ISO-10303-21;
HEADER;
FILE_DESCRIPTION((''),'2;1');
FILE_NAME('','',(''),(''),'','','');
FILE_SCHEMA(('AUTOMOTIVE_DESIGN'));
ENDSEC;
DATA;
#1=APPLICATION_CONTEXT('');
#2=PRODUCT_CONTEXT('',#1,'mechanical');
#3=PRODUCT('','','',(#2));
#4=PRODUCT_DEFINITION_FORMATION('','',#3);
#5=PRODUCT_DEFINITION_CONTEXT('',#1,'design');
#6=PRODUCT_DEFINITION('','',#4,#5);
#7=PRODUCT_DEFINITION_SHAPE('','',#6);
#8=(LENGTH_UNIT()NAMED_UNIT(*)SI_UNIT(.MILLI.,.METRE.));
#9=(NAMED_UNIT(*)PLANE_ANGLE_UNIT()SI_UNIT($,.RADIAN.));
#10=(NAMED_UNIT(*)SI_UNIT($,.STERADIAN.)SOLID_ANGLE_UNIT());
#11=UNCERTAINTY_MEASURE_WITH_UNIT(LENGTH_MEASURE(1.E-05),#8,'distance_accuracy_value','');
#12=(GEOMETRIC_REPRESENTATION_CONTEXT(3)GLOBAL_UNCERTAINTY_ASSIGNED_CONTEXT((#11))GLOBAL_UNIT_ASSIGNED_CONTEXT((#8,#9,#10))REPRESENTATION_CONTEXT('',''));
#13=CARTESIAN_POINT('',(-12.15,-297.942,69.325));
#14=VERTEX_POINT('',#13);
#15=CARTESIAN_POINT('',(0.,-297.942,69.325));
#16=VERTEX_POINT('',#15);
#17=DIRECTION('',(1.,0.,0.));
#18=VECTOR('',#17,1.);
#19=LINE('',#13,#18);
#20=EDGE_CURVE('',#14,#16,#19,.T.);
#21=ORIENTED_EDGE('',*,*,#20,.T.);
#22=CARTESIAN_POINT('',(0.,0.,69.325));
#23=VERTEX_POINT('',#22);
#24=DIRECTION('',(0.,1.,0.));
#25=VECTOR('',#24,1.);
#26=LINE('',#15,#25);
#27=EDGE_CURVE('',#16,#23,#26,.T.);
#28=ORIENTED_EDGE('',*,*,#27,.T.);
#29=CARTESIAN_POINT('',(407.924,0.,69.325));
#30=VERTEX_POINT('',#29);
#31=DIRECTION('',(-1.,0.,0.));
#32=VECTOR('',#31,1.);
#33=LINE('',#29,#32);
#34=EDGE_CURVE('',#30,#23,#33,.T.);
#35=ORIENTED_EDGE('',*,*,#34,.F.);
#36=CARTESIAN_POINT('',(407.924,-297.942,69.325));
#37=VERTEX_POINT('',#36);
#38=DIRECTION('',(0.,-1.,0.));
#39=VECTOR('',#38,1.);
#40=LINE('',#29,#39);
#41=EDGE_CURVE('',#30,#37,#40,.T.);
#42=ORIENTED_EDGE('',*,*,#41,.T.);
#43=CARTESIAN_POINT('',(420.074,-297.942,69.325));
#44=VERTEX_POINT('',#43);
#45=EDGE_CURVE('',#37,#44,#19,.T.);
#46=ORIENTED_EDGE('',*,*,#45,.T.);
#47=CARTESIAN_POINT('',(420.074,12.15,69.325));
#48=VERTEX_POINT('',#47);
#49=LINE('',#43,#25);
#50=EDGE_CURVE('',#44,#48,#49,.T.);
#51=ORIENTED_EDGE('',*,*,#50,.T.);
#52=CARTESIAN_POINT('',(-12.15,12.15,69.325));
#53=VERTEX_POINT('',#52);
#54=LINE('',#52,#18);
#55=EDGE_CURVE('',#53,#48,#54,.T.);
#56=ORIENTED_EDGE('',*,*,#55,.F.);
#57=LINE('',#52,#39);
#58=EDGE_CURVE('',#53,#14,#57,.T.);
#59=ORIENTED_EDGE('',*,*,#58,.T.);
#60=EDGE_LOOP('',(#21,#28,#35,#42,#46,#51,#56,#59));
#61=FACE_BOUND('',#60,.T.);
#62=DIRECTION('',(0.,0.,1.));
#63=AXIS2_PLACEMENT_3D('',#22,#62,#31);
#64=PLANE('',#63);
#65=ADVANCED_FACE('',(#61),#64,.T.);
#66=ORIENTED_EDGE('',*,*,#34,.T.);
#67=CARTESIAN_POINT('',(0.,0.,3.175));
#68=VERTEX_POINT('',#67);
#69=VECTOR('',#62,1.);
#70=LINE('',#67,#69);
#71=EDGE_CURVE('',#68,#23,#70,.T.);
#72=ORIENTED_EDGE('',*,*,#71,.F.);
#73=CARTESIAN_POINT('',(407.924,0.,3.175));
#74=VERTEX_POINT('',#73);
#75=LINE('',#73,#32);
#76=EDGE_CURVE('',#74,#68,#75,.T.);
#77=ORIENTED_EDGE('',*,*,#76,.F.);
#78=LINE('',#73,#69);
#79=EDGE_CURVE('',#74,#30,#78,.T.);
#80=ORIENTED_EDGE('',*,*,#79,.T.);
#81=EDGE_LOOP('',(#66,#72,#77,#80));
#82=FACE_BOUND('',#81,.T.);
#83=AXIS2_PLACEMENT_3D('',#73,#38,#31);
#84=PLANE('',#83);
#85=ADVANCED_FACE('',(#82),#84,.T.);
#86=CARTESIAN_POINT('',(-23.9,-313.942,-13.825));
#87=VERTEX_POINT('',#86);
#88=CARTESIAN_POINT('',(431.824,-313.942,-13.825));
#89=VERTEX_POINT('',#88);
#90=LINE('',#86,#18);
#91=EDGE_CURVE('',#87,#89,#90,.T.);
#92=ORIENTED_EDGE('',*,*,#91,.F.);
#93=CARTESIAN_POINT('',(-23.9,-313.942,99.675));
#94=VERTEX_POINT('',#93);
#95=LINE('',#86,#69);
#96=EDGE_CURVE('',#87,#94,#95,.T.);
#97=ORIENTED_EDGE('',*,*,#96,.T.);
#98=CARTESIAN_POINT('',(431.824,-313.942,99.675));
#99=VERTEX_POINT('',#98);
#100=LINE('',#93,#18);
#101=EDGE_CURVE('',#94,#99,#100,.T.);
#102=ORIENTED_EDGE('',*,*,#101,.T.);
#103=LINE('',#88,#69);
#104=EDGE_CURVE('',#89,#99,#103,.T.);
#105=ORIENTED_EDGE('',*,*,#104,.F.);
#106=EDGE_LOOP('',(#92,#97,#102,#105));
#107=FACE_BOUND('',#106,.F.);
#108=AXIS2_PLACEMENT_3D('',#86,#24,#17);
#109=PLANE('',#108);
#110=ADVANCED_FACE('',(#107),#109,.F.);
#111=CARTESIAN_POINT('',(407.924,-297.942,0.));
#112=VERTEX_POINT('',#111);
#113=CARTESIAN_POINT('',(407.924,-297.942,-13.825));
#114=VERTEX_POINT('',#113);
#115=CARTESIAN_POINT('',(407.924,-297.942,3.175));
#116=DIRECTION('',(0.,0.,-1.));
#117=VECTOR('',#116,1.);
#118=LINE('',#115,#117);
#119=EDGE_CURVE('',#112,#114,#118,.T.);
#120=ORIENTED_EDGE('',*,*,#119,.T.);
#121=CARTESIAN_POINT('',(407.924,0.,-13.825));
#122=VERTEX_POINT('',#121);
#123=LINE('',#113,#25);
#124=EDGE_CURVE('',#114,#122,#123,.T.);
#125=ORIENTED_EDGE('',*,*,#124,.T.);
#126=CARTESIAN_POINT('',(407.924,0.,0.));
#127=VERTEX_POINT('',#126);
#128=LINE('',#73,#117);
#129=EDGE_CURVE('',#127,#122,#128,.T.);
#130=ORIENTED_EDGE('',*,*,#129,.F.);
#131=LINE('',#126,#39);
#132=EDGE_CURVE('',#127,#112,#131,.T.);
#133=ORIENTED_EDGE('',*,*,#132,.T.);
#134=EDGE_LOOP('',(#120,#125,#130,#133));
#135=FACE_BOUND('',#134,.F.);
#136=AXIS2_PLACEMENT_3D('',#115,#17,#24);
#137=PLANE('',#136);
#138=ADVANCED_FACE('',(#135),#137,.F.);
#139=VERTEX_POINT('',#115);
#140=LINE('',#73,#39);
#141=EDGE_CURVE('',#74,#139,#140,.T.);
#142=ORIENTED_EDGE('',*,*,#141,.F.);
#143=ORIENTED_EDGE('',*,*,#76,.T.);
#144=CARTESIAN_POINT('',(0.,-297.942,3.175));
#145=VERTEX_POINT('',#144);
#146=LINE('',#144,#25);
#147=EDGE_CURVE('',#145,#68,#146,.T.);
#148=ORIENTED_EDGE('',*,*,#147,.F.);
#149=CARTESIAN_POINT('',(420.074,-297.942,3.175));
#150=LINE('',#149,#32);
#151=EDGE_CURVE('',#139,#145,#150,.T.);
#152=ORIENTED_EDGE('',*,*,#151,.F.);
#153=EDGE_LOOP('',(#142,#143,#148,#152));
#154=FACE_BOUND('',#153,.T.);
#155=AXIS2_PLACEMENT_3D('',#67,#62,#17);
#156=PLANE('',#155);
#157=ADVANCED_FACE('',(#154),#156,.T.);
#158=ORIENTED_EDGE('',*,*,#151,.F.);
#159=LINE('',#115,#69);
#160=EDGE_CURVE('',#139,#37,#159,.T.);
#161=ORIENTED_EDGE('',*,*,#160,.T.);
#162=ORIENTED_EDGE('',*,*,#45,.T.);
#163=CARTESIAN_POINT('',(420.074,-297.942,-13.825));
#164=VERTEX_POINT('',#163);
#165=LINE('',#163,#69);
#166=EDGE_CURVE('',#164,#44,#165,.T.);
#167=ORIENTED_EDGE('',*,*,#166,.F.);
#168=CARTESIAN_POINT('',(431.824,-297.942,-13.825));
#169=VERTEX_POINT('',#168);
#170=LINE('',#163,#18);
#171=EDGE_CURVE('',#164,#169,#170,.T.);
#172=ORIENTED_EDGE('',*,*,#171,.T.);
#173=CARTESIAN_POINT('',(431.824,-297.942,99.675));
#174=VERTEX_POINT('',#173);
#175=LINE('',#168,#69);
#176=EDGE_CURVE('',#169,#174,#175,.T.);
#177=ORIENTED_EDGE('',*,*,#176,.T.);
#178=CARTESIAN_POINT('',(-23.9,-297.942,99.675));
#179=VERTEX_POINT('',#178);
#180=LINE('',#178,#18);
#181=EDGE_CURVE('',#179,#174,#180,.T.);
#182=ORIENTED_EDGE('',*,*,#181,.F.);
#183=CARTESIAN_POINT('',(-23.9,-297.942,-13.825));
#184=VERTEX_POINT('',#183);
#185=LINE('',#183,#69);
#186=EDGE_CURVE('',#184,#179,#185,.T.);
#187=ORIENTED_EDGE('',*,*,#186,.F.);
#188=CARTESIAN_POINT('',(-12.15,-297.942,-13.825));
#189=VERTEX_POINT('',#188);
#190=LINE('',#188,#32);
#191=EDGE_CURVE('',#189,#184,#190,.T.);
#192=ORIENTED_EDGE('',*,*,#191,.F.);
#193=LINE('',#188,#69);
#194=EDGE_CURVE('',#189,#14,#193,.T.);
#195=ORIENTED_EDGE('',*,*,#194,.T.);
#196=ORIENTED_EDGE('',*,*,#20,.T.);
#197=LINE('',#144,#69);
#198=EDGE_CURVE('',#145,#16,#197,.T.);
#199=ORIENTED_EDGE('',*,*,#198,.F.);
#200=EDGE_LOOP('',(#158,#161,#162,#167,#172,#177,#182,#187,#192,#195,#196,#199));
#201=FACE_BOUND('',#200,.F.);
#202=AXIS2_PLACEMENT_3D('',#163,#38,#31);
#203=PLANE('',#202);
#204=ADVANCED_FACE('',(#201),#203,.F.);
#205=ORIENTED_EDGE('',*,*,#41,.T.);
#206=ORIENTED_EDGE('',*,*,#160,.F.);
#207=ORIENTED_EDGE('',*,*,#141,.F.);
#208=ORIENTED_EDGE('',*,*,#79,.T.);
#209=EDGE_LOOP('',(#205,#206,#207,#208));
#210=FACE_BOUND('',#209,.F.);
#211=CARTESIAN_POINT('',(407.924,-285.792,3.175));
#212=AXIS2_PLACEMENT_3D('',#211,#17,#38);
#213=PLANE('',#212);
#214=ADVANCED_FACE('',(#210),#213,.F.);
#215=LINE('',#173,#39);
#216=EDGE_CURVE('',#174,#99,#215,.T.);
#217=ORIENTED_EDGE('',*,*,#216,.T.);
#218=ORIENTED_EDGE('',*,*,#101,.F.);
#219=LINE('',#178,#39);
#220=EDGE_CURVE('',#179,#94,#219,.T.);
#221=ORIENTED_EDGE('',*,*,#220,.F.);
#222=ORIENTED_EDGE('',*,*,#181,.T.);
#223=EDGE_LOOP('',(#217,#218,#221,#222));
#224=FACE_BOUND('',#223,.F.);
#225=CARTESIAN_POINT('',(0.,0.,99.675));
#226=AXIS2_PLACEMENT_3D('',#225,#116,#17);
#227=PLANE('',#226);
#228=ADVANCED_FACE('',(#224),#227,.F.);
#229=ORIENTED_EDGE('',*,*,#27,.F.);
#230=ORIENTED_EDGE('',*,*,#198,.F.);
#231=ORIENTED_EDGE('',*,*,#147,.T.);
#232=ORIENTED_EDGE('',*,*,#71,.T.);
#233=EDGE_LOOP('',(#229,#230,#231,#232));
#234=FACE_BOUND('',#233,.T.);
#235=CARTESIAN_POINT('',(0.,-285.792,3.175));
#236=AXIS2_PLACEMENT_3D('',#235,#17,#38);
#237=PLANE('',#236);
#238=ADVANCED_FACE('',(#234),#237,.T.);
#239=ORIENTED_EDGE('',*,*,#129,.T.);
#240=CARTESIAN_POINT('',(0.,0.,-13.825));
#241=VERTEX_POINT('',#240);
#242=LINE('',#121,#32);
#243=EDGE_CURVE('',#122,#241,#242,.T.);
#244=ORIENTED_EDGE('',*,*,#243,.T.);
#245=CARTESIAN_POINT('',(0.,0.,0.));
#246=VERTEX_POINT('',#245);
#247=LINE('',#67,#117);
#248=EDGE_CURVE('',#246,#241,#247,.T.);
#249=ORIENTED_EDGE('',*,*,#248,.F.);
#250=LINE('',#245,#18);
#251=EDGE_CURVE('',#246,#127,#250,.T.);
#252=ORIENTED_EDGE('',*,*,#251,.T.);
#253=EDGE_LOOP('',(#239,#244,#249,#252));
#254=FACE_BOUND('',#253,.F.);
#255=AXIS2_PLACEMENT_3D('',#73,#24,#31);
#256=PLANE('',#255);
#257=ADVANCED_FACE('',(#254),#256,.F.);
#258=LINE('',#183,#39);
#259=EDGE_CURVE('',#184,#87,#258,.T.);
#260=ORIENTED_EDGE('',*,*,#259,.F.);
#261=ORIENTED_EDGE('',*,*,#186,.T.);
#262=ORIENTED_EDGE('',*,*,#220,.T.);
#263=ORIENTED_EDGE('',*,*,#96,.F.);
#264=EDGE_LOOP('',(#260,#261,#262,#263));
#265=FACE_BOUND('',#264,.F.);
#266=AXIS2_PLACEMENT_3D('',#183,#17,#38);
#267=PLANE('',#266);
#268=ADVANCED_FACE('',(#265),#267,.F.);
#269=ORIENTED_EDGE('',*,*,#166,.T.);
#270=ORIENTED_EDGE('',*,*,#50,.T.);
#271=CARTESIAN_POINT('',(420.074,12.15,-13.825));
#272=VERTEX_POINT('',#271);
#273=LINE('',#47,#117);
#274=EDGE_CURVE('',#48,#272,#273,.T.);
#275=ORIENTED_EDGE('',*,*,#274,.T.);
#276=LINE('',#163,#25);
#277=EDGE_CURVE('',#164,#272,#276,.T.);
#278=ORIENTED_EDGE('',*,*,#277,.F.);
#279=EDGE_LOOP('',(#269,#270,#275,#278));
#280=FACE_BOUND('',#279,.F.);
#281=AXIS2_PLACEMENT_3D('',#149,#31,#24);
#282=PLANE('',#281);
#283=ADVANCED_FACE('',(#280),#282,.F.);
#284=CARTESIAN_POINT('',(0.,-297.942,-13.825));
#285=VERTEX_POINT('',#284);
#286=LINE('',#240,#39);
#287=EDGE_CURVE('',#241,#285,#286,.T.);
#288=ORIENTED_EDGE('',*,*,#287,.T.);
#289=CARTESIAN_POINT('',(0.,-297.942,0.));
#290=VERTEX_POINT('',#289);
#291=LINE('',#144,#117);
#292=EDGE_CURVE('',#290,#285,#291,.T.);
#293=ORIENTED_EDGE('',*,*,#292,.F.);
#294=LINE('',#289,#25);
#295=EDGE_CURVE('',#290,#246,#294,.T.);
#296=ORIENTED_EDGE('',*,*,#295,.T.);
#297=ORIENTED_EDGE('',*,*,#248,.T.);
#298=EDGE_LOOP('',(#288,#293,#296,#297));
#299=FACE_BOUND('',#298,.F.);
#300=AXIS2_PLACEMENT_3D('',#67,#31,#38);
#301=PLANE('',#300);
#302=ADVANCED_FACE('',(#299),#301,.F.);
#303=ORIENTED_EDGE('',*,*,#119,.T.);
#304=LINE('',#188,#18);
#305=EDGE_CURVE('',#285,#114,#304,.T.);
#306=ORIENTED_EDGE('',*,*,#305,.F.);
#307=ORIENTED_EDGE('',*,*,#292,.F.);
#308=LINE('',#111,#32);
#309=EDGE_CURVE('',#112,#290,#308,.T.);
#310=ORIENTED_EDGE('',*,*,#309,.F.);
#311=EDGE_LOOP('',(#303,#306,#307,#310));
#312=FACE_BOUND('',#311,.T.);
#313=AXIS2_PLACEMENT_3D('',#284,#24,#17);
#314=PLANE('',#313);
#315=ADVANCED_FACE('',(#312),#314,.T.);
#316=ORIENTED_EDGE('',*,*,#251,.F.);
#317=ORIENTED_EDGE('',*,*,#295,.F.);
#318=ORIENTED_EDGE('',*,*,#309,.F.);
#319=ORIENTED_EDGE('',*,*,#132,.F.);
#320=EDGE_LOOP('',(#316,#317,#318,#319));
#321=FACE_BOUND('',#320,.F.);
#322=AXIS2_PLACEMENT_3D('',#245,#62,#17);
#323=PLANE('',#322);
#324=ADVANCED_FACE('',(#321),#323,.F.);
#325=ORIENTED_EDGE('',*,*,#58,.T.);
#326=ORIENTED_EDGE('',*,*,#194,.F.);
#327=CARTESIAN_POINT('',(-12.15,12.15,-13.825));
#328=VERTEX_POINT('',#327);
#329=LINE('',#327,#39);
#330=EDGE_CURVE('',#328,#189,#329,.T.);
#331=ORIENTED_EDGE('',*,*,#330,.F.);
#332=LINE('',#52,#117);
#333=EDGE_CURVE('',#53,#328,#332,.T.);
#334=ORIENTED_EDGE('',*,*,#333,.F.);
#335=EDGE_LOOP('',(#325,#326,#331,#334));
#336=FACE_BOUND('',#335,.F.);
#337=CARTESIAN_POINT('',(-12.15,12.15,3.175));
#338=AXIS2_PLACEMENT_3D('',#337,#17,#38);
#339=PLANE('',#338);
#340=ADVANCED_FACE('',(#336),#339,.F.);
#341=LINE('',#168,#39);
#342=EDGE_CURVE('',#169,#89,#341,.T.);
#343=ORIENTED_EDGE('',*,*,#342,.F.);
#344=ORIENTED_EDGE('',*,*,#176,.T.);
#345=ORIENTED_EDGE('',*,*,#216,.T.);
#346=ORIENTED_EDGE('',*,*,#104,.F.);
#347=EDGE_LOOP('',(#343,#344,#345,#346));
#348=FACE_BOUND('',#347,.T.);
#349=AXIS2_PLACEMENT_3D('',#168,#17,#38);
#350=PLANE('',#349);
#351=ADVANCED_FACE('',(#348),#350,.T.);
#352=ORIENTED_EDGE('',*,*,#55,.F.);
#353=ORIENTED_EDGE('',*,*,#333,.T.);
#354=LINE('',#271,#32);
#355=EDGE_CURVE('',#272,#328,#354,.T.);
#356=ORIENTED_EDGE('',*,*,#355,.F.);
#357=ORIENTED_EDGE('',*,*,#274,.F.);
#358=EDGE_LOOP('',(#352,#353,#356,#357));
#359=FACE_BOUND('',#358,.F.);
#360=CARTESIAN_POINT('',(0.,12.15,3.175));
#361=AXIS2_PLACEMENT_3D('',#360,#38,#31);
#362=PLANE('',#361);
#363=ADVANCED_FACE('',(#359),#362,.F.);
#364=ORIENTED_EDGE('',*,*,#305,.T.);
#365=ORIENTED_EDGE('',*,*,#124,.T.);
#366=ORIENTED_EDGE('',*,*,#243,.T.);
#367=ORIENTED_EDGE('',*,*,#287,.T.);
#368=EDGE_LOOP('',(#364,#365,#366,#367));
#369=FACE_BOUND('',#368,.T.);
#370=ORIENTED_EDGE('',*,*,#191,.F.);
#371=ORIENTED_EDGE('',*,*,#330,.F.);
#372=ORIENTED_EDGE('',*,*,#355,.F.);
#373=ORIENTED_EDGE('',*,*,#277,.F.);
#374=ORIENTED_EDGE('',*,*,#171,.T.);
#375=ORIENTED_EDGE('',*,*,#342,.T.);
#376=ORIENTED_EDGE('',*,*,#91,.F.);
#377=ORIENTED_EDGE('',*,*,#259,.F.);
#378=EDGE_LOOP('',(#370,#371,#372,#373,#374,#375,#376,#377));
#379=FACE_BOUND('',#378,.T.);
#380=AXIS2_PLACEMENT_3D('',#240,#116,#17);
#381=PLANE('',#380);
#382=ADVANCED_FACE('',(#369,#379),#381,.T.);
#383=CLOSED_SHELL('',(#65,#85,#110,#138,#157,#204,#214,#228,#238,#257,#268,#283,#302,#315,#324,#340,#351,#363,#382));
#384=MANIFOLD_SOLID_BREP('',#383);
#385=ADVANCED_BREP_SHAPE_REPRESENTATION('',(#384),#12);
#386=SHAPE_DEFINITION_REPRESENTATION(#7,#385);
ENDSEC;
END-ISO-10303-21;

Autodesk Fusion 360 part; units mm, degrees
sketch "Sketch1" plane through (0, 0, 0) normal (0, 0, 1) x (1, 0, 0)
  line L0 (0, 0) -> (407.924, 0)
  line L1 (407.924, 0) -> (407.924, -297.942)
  line L2 (407.924, -297.942) -> (0, -297.942)
  line L3 (0, -297.942) -> (0, 0)
  dimension "d1" = 407.924
  dimension "d2" = 297.942
extrude "Extrude1" add sketch "Sketch1" along normal blind 3.175
sketch "Sketch2" plane through (0, 0, 3.175) normal (0, 0, 1) x (-1, 0, 0)
  line L0 (0, 297.942) -> (-407.924, 297.942)
  line L1 (-407.924, 297.942) -> (-407.924, 0)
  line L2 (-407.924, 0) -> (0, 0)
  line L3 (0, 0) -> (0, 297.942)
  line L4 (-420.074, 297.942) -> (-420.074, -12.15)
  line L5 (-420.074, -12.15) -> (12.15, -12.15)
  line L6 (12.15, -12.15) -> (12.15, 297.942)
  line L7 (0, 297.942) -> (12.15, 297.942)
  line L8 (12.15, 297.942) -> (-420.074, 297.942)
extrude "Extrude2" add sketch "Sketch2" against normal blind 17 contours L1 L2 L3 L4 L5 L6 L7 L8
sketch "Sketch3" plane through (0, 0, 3.175) normal (0, 0, 1) x (-1, 0, 0)
  line L0 (12.15, 297.942) -> (-420.074, 297.942)
  line L1 (-420.074, 297.942) -> (-420.074, -12.15)
  line L2 (-420.074, -12.15) -> (12.15, -12.15)
  line L3 (12.15, -12.15) -> (12.15, 297.942)
  line L4 (-407.924, 285.792) -> (-407.924, 0)
  line L5 (-407.924, 0) -> (0, 0)
  line L6 (0, 0) -> (0, 285.792)
  line L7 (0, 285.792) -> (-407.924, 285.792)
  line L8 (0, 285.792) -> (0, 297.942)
  line L9 (-407.924, 285.792) -> (-407.924, 297.942)
  line L10 (-407.924, 297.942) -> (0, 297.942)
  line L11 (0, 297.942) -> (12.15, 297.942)
  line L12 (12.15, 297.942) -> (12.15, -12.15)
  line L13 (12.15, -12.15) -> (0, -12.15)
  line L14 (-420.074, -12.15) -> (-420.074, 297.942)
  line L15 (-420.074, 297.942) -> (-407.924, 297.942)
  line L16 (-420.074, -12.15) -> (12.15, -12.15)
  dimension "d8" = -12.15
extrude "Extrude3" add sketch "Sketch3" along normal blind 66.15 contours L0 L1 L2 L3 L4 L5 L6 L8 L9 L11 L12 L13 L14 L15 L16
sketch "Sketch4" plane through (0, 0, -13.825) normal (0, 0, -1) x (1, 0, 0)
  line L0 (420.074, 297.942) -> (407.924, 297.942)
  line L1 (407.924, 297.942) -> (407.924, 0)
  line L2 (407.924, 0) -> (0, 0)
  line L3 (0, 0) -> (0, 297.942)
  line L4 (0, 297.942) -> (-12.15, 297.942)
  line L5 (-12.15, 297.942) -> (-12.15, -12.15)
  line L6 (-12.15, -12.15) -> (420.074, -12.15)
  line L7 (420.074, -12.15) -> (420.074, 297.942)
  line L8 (-12.15, 297.942) -> (-23.9, 297.942)
  line L9 (420.074, 297.942) -> (431.824, 297.942)
  line L10 (-23.9, 297.942) -> (-23.9, 313.942)
  line L11 (431.824, 297.942) -> (431.824, 313.942)
  line L12 (-23.9, 313.942) -> (431.824, 313.942)
  line L13 (-12.15, 297.942) -> (420.074, 297.942)
  dimension "d11" = 11.75
  dimension "d12" = 11.75
  dimension "d14" = 16
  dimension "d15" = 16
extrude "Extrude4" add sketch "Sketch4" against normal blind 113.5 contours L0 L4 L8 L9 L10 L11 L12 L13
